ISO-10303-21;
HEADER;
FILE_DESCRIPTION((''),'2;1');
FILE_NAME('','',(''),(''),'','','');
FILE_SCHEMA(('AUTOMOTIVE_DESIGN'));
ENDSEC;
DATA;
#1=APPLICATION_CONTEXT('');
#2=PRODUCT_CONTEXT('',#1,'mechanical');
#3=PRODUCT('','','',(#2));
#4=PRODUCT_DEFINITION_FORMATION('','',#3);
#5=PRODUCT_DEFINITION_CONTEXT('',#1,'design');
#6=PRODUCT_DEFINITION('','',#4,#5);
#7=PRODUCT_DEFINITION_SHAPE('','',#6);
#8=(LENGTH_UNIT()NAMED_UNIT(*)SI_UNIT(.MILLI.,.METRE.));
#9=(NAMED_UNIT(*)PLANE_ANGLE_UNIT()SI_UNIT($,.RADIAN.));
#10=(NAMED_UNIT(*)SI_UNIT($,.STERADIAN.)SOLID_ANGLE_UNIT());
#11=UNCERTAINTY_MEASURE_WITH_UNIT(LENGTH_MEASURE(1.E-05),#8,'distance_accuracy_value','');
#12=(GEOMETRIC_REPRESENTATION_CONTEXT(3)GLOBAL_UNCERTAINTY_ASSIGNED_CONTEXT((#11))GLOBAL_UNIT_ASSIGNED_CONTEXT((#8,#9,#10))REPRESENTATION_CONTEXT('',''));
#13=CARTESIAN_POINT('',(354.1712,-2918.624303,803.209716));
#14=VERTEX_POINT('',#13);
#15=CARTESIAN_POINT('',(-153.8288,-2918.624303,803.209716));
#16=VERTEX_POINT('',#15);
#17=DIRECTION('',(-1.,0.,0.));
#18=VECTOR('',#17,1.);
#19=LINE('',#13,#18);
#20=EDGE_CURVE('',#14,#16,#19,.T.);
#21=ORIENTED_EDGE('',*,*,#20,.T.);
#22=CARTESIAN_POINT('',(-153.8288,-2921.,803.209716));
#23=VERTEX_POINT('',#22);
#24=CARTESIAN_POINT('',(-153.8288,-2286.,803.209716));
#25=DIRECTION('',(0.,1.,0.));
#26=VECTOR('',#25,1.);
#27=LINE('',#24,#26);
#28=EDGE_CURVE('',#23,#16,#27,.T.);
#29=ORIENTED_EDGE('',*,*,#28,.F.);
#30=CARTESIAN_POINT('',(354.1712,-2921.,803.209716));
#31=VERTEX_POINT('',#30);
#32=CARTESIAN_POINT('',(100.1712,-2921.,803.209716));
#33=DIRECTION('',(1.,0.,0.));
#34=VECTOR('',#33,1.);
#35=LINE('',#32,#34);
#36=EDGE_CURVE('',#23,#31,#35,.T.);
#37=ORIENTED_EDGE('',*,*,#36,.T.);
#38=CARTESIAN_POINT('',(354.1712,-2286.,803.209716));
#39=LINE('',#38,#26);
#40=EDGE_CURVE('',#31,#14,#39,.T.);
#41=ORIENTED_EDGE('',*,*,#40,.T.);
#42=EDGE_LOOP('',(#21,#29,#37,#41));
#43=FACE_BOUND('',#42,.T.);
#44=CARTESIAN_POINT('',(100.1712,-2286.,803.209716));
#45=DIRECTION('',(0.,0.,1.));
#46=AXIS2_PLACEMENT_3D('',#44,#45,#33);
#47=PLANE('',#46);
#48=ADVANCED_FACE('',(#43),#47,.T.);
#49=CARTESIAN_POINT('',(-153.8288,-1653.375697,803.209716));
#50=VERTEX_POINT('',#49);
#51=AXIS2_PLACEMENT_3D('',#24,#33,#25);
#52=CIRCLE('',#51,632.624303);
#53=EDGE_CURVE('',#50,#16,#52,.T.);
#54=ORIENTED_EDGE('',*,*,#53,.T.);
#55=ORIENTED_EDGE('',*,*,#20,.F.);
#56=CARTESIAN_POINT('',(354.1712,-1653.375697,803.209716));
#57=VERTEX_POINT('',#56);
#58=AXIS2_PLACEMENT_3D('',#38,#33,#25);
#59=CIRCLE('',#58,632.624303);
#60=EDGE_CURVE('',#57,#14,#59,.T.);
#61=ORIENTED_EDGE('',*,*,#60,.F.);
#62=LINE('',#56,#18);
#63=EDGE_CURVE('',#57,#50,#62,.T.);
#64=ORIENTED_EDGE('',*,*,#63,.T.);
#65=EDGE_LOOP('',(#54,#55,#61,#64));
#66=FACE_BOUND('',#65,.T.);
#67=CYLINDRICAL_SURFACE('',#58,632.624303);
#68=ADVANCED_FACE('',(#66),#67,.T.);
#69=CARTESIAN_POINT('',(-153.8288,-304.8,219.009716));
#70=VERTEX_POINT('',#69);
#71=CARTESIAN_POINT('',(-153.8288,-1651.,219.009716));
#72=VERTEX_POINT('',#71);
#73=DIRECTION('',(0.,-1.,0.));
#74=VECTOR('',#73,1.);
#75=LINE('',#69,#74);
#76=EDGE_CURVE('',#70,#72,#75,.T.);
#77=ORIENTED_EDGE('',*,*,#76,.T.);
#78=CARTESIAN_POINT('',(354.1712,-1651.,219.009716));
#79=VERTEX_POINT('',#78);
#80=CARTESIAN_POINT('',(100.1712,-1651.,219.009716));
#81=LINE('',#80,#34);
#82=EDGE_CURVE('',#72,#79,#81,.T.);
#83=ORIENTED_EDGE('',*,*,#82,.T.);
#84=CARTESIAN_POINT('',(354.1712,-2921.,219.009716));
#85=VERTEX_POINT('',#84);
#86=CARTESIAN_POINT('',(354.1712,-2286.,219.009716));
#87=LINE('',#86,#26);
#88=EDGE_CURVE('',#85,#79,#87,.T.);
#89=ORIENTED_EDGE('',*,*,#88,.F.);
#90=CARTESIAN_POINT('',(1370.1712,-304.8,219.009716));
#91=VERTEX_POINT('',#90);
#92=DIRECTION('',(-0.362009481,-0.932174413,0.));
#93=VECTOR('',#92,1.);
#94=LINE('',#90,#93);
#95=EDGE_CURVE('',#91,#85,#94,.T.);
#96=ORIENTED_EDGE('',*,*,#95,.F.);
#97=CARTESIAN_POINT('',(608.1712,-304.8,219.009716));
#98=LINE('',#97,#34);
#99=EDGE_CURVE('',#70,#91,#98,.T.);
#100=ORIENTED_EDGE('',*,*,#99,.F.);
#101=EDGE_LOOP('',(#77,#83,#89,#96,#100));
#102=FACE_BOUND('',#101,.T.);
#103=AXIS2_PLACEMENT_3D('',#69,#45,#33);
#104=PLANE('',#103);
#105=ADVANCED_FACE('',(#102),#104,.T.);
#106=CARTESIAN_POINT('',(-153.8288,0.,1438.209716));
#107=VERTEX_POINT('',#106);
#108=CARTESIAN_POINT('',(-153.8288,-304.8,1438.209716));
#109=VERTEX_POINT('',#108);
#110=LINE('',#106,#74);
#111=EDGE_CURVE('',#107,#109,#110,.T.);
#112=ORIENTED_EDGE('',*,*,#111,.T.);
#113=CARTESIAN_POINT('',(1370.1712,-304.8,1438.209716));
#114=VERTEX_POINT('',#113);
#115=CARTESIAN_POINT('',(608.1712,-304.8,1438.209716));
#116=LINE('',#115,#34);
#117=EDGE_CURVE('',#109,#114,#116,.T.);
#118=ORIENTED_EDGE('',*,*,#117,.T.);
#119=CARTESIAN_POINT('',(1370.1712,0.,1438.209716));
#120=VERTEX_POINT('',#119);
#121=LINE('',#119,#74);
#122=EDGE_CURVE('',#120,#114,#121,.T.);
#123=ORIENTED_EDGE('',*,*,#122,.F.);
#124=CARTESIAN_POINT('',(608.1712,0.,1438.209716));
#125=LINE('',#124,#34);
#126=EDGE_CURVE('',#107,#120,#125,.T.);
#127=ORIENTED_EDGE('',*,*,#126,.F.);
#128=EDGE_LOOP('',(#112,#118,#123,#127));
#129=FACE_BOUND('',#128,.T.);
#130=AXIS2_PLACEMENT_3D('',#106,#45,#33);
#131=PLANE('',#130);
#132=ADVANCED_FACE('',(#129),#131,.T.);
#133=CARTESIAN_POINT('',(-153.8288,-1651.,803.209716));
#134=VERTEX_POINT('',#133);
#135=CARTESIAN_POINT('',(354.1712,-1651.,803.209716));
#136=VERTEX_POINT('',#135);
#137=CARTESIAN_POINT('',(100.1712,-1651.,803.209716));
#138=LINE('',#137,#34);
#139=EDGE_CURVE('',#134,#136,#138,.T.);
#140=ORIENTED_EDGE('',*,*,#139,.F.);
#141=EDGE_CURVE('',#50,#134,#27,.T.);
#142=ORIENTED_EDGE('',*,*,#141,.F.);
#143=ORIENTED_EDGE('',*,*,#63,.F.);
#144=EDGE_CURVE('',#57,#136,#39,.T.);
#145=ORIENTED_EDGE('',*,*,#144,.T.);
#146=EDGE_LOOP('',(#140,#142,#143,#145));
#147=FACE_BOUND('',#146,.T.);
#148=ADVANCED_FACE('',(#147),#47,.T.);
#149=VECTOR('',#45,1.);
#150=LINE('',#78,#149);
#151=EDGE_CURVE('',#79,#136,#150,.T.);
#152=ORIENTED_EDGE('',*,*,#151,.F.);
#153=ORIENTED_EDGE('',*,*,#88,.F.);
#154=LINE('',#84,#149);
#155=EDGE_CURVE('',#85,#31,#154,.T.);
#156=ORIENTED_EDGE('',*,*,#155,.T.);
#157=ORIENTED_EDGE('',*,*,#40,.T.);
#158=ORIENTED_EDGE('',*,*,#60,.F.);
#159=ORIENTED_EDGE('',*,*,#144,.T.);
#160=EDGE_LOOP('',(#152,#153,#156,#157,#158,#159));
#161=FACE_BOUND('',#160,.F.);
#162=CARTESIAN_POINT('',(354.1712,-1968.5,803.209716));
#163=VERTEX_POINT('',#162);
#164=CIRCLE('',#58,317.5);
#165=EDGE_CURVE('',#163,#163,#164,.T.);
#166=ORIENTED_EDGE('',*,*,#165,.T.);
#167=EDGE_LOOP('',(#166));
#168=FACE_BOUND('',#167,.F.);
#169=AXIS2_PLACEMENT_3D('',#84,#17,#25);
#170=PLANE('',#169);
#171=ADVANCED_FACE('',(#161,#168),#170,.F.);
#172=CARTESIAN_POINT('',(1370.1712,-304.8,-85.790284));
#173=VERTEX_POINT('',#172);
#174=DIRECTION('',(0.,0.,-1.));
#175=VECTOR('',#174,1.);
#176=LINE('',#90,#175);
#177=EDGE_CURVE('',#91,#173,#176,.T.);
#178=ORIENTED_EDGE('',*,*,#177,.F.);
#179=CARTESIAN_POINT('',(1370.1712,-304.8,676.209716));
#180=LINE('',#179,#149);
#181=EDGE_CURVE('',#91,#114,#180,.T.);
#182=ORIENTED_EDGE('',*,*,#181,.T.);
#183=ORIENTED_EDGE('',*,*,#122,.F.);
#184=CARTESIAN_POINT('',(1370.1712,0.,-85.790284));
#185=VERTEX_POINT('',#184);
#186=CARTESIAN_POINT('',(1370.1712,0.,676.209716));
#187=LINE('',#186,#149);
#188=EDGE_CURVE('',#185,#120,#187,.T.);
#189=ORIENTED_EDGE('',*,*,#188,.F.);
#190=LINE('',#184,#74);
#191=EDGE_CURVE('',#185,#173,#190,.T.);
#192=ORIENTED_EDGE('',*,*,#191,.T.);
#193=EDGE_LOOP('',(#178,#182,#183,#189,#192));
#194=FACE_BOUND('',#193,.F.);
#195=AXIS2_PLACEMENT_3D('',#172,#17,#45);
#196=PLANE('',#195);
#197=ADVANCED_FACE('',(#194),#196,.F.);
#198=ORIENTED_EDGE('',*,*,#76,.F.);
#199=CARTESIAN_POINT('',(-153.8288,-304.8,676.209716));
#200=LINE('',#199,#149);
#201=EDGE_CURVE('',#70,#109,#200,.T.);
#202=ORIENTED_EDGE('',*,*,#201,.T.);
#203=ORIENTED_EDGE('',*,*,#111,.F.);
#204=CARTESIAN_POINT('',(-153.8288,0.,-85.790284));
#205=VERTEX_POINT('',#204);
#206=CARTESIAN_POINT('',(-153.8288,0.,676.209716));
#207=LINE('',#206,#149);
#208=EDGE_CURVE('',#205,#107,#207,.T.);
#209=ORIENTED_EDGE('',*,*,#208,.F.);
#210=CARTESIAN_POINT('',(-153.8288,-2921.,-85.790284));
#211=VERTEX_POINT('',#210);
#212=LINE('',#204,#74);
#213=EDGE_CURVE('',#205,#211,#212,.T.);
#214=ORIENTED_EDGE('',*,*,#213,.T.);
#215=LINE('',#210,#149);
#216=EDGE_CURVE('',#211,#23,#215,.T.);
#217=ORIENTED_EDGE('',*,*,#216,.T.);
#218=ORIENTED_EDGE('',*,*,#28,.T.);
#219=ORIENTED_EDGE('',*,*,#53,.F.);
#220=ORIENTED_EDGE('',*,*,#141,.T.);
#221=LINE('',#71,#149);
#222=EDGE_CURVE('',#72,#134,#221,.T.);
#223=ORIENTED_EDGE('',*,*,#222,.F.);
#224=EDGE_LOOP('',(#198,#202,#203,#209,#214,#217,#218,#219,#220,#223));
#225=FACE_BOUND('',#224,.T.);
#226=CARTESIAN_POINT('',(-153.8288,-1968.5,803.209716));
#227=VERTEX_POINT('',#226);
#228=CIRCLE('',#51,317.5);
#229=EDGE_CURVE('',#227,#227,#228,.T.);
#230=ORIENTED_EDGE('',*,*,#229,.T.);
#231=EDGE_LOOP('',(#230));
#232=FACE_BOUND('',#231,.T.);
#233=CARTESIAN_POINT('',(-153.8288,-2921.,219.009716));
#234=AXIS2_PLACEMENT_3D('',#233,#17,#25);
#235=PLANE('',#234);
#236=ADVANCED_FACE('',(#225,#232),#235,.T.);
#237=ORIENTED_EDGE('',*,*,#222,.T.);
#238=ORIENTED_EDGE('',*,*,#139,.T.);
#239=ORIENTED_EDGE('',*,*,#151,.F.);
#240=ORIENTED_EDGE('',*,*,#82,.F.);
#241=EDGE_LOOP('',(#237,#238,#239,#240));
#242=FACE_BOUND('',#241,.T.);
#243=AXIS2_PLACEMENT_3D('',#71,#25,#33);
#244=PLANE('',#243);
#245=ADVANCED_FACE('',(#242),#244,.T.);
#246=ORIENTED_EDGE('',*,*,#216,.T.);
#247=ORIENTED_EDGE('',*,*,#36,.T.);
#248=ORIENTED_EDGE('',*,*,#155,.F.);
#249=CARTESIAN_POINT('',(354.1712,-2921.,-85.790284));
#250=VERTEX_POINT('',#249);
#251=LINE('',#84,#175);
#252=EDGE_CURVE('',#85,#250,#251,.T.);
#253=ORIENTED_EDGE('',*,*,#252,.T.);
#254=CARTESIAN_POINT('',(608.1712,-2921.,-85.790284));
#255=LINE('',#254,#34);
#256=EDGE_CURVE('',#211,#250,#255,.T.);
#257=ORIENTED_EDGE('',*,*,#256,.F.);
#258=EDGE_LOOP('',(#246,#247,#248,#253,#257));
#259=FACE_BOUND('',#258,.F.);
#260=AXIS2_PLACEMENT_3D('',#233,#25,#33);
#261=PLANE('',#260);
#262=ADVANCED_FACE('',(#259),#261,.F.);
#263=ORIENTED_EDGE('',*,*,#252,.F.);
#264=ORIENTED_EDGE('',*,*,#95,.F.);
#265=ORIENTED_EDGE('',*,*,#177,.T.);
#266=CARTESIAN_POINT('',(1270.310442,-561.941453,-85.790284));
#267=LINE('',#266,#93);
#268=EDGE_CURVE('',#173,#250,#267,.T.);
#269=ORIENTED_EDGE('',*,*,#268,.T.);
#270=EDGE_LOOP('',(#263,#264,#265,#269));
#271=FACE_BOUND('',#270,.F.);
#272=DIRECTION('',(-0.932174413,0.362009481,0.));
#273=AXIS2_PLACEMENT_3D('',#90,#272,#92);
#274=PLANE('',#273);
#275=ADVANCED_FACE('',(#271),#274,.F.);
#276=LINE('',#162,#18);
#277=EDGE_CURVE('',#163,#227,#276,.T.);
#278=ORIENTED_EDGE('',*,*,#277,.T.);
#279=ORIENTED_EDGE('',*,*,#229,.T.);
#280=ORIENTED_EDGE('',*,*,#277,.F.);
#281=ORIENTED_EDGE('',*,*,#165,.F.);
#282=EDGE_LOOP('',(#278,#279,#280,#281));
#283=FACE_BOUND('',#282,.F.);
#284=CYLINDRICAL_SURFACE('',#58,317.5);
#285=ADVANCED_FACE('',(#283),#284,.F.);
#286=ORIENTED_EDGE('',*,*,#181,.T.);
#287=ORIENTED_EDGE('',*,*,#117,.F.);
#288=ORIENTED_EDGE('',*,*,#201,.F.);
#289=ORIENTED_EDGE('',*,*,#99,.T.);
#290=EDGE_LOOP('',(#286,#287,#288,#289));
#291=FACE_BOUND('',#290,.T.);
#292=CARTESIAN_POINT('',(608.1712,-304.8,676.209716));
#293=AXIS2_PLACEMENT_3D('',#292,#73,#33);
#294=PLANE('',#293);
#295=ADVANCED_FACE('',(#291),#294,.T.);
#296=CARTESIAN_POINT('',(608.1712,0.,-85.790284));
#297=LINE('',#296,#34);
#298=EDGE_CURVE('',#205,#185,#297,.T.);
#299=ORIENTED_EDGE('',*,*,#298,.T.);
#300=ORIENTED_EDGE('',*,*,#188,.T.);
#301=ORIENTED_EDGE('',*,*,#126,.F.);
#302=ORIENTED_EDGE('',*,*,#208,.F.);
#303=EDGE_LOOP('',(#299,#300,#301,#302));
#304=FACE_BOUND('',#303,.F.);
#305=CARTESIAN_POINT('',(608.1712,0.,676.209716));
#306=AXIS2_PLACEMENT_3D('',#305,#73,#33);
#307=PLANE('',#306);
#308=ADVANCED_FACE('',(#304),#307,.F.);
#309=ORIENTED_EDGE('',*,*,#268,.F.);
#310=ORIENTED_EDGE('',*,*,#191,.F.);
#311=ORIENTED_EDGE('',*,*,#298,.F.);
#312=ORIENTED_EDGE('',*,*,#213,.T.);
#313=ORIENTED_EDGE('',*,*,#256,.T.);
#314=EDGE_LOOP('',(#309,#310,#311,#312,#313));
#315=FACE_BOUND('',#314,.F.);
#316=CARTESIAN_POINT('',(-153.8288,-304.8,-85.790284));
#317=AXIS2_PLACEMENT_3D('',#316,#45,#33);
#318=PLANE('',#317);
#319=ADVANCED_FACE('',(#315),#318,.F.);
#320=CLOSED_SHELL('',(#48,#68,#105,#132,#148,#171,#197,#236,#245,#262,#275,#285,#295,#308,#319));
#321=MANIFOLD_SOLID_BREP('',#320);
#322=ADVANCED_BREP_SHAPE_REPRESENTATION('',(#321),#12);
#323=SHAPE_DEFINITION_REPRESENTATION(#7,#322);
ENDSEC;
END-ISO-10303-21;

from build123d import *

# Parameters (mm, degrees)
F0_W      = 1524
F0_H      = 1524
F1_DEPTH  = 304.8
F2_W      = 1524
F2_H      = 304.8
F3_DEPTH  = 2616.2
F4_W      = 508
F4_H      = 1270
F5_DEPTH  = 584.2
F7_DEPTH  = 508
F10_R     = 317.5
F11_DEPTH = 1231.9
F14_DEPTH = 1102.36


with BuildPart() as f1:
    # F0 (on Front) → F1 (new body)
    with BuildSketch(Plane.XZ):
        with Locations((608.1712, 676.209716)):
            Rectangle(F0_W, F0_H)
    extrude(amount=F1_DEPTH)

    # F2 (on face) → F3 (join)
    with BuildSketch(Plane.XZ.offset(304.8)):
        with Locations((608.1712, 66.609716)):
            Rectangle(F2_W, F2_H)
    extrude(amount=F3_DEPTH)

    # F4 (on face) → F5 (join)
    with BuildSketch(Plane.XY.offset(219.009716)):
        with Locations((100.1712, -2286)):
            Rectangle(F4_W, F4_H)
    extrude(amount=F5_DEPTH)

    # F6 (on face) → F7 (join)
    with BuildSketch(Plane.YZ.offset(354.1712)):
        with BuildLine():
            Line((-2918.624303, 803.209716), (-1653.375697, 803.209716))
            ThreePointArc((-1653.375697, 803.209716), (-2286, 1435.834019), (-2918.624303, 803.209716))
        make_face()
    extrude(amount=-F7_DEPTH)

    # F10 (on face) → F11 (cut)
    with BuildSketch(Plane.YZ.offset(354.1712)):
        with Locations((-2286, 803.209716)):
            Circle(F10_R)
    extrude(amount=-F11_DEPTH, mode=Mode.SUBTRACT)

    # F12 (on face) → F14 (cut)
    with BuildSketch(Plane.XY.offset(219.009716)):
        Polygon((1370.1712, -304.8), (354.1712, -2921), (1370.1712, -2921), align=None)
    extrude(amount=-F14_DEPTH, mode=Mode.SUBTRACT)


solid = f1.part
